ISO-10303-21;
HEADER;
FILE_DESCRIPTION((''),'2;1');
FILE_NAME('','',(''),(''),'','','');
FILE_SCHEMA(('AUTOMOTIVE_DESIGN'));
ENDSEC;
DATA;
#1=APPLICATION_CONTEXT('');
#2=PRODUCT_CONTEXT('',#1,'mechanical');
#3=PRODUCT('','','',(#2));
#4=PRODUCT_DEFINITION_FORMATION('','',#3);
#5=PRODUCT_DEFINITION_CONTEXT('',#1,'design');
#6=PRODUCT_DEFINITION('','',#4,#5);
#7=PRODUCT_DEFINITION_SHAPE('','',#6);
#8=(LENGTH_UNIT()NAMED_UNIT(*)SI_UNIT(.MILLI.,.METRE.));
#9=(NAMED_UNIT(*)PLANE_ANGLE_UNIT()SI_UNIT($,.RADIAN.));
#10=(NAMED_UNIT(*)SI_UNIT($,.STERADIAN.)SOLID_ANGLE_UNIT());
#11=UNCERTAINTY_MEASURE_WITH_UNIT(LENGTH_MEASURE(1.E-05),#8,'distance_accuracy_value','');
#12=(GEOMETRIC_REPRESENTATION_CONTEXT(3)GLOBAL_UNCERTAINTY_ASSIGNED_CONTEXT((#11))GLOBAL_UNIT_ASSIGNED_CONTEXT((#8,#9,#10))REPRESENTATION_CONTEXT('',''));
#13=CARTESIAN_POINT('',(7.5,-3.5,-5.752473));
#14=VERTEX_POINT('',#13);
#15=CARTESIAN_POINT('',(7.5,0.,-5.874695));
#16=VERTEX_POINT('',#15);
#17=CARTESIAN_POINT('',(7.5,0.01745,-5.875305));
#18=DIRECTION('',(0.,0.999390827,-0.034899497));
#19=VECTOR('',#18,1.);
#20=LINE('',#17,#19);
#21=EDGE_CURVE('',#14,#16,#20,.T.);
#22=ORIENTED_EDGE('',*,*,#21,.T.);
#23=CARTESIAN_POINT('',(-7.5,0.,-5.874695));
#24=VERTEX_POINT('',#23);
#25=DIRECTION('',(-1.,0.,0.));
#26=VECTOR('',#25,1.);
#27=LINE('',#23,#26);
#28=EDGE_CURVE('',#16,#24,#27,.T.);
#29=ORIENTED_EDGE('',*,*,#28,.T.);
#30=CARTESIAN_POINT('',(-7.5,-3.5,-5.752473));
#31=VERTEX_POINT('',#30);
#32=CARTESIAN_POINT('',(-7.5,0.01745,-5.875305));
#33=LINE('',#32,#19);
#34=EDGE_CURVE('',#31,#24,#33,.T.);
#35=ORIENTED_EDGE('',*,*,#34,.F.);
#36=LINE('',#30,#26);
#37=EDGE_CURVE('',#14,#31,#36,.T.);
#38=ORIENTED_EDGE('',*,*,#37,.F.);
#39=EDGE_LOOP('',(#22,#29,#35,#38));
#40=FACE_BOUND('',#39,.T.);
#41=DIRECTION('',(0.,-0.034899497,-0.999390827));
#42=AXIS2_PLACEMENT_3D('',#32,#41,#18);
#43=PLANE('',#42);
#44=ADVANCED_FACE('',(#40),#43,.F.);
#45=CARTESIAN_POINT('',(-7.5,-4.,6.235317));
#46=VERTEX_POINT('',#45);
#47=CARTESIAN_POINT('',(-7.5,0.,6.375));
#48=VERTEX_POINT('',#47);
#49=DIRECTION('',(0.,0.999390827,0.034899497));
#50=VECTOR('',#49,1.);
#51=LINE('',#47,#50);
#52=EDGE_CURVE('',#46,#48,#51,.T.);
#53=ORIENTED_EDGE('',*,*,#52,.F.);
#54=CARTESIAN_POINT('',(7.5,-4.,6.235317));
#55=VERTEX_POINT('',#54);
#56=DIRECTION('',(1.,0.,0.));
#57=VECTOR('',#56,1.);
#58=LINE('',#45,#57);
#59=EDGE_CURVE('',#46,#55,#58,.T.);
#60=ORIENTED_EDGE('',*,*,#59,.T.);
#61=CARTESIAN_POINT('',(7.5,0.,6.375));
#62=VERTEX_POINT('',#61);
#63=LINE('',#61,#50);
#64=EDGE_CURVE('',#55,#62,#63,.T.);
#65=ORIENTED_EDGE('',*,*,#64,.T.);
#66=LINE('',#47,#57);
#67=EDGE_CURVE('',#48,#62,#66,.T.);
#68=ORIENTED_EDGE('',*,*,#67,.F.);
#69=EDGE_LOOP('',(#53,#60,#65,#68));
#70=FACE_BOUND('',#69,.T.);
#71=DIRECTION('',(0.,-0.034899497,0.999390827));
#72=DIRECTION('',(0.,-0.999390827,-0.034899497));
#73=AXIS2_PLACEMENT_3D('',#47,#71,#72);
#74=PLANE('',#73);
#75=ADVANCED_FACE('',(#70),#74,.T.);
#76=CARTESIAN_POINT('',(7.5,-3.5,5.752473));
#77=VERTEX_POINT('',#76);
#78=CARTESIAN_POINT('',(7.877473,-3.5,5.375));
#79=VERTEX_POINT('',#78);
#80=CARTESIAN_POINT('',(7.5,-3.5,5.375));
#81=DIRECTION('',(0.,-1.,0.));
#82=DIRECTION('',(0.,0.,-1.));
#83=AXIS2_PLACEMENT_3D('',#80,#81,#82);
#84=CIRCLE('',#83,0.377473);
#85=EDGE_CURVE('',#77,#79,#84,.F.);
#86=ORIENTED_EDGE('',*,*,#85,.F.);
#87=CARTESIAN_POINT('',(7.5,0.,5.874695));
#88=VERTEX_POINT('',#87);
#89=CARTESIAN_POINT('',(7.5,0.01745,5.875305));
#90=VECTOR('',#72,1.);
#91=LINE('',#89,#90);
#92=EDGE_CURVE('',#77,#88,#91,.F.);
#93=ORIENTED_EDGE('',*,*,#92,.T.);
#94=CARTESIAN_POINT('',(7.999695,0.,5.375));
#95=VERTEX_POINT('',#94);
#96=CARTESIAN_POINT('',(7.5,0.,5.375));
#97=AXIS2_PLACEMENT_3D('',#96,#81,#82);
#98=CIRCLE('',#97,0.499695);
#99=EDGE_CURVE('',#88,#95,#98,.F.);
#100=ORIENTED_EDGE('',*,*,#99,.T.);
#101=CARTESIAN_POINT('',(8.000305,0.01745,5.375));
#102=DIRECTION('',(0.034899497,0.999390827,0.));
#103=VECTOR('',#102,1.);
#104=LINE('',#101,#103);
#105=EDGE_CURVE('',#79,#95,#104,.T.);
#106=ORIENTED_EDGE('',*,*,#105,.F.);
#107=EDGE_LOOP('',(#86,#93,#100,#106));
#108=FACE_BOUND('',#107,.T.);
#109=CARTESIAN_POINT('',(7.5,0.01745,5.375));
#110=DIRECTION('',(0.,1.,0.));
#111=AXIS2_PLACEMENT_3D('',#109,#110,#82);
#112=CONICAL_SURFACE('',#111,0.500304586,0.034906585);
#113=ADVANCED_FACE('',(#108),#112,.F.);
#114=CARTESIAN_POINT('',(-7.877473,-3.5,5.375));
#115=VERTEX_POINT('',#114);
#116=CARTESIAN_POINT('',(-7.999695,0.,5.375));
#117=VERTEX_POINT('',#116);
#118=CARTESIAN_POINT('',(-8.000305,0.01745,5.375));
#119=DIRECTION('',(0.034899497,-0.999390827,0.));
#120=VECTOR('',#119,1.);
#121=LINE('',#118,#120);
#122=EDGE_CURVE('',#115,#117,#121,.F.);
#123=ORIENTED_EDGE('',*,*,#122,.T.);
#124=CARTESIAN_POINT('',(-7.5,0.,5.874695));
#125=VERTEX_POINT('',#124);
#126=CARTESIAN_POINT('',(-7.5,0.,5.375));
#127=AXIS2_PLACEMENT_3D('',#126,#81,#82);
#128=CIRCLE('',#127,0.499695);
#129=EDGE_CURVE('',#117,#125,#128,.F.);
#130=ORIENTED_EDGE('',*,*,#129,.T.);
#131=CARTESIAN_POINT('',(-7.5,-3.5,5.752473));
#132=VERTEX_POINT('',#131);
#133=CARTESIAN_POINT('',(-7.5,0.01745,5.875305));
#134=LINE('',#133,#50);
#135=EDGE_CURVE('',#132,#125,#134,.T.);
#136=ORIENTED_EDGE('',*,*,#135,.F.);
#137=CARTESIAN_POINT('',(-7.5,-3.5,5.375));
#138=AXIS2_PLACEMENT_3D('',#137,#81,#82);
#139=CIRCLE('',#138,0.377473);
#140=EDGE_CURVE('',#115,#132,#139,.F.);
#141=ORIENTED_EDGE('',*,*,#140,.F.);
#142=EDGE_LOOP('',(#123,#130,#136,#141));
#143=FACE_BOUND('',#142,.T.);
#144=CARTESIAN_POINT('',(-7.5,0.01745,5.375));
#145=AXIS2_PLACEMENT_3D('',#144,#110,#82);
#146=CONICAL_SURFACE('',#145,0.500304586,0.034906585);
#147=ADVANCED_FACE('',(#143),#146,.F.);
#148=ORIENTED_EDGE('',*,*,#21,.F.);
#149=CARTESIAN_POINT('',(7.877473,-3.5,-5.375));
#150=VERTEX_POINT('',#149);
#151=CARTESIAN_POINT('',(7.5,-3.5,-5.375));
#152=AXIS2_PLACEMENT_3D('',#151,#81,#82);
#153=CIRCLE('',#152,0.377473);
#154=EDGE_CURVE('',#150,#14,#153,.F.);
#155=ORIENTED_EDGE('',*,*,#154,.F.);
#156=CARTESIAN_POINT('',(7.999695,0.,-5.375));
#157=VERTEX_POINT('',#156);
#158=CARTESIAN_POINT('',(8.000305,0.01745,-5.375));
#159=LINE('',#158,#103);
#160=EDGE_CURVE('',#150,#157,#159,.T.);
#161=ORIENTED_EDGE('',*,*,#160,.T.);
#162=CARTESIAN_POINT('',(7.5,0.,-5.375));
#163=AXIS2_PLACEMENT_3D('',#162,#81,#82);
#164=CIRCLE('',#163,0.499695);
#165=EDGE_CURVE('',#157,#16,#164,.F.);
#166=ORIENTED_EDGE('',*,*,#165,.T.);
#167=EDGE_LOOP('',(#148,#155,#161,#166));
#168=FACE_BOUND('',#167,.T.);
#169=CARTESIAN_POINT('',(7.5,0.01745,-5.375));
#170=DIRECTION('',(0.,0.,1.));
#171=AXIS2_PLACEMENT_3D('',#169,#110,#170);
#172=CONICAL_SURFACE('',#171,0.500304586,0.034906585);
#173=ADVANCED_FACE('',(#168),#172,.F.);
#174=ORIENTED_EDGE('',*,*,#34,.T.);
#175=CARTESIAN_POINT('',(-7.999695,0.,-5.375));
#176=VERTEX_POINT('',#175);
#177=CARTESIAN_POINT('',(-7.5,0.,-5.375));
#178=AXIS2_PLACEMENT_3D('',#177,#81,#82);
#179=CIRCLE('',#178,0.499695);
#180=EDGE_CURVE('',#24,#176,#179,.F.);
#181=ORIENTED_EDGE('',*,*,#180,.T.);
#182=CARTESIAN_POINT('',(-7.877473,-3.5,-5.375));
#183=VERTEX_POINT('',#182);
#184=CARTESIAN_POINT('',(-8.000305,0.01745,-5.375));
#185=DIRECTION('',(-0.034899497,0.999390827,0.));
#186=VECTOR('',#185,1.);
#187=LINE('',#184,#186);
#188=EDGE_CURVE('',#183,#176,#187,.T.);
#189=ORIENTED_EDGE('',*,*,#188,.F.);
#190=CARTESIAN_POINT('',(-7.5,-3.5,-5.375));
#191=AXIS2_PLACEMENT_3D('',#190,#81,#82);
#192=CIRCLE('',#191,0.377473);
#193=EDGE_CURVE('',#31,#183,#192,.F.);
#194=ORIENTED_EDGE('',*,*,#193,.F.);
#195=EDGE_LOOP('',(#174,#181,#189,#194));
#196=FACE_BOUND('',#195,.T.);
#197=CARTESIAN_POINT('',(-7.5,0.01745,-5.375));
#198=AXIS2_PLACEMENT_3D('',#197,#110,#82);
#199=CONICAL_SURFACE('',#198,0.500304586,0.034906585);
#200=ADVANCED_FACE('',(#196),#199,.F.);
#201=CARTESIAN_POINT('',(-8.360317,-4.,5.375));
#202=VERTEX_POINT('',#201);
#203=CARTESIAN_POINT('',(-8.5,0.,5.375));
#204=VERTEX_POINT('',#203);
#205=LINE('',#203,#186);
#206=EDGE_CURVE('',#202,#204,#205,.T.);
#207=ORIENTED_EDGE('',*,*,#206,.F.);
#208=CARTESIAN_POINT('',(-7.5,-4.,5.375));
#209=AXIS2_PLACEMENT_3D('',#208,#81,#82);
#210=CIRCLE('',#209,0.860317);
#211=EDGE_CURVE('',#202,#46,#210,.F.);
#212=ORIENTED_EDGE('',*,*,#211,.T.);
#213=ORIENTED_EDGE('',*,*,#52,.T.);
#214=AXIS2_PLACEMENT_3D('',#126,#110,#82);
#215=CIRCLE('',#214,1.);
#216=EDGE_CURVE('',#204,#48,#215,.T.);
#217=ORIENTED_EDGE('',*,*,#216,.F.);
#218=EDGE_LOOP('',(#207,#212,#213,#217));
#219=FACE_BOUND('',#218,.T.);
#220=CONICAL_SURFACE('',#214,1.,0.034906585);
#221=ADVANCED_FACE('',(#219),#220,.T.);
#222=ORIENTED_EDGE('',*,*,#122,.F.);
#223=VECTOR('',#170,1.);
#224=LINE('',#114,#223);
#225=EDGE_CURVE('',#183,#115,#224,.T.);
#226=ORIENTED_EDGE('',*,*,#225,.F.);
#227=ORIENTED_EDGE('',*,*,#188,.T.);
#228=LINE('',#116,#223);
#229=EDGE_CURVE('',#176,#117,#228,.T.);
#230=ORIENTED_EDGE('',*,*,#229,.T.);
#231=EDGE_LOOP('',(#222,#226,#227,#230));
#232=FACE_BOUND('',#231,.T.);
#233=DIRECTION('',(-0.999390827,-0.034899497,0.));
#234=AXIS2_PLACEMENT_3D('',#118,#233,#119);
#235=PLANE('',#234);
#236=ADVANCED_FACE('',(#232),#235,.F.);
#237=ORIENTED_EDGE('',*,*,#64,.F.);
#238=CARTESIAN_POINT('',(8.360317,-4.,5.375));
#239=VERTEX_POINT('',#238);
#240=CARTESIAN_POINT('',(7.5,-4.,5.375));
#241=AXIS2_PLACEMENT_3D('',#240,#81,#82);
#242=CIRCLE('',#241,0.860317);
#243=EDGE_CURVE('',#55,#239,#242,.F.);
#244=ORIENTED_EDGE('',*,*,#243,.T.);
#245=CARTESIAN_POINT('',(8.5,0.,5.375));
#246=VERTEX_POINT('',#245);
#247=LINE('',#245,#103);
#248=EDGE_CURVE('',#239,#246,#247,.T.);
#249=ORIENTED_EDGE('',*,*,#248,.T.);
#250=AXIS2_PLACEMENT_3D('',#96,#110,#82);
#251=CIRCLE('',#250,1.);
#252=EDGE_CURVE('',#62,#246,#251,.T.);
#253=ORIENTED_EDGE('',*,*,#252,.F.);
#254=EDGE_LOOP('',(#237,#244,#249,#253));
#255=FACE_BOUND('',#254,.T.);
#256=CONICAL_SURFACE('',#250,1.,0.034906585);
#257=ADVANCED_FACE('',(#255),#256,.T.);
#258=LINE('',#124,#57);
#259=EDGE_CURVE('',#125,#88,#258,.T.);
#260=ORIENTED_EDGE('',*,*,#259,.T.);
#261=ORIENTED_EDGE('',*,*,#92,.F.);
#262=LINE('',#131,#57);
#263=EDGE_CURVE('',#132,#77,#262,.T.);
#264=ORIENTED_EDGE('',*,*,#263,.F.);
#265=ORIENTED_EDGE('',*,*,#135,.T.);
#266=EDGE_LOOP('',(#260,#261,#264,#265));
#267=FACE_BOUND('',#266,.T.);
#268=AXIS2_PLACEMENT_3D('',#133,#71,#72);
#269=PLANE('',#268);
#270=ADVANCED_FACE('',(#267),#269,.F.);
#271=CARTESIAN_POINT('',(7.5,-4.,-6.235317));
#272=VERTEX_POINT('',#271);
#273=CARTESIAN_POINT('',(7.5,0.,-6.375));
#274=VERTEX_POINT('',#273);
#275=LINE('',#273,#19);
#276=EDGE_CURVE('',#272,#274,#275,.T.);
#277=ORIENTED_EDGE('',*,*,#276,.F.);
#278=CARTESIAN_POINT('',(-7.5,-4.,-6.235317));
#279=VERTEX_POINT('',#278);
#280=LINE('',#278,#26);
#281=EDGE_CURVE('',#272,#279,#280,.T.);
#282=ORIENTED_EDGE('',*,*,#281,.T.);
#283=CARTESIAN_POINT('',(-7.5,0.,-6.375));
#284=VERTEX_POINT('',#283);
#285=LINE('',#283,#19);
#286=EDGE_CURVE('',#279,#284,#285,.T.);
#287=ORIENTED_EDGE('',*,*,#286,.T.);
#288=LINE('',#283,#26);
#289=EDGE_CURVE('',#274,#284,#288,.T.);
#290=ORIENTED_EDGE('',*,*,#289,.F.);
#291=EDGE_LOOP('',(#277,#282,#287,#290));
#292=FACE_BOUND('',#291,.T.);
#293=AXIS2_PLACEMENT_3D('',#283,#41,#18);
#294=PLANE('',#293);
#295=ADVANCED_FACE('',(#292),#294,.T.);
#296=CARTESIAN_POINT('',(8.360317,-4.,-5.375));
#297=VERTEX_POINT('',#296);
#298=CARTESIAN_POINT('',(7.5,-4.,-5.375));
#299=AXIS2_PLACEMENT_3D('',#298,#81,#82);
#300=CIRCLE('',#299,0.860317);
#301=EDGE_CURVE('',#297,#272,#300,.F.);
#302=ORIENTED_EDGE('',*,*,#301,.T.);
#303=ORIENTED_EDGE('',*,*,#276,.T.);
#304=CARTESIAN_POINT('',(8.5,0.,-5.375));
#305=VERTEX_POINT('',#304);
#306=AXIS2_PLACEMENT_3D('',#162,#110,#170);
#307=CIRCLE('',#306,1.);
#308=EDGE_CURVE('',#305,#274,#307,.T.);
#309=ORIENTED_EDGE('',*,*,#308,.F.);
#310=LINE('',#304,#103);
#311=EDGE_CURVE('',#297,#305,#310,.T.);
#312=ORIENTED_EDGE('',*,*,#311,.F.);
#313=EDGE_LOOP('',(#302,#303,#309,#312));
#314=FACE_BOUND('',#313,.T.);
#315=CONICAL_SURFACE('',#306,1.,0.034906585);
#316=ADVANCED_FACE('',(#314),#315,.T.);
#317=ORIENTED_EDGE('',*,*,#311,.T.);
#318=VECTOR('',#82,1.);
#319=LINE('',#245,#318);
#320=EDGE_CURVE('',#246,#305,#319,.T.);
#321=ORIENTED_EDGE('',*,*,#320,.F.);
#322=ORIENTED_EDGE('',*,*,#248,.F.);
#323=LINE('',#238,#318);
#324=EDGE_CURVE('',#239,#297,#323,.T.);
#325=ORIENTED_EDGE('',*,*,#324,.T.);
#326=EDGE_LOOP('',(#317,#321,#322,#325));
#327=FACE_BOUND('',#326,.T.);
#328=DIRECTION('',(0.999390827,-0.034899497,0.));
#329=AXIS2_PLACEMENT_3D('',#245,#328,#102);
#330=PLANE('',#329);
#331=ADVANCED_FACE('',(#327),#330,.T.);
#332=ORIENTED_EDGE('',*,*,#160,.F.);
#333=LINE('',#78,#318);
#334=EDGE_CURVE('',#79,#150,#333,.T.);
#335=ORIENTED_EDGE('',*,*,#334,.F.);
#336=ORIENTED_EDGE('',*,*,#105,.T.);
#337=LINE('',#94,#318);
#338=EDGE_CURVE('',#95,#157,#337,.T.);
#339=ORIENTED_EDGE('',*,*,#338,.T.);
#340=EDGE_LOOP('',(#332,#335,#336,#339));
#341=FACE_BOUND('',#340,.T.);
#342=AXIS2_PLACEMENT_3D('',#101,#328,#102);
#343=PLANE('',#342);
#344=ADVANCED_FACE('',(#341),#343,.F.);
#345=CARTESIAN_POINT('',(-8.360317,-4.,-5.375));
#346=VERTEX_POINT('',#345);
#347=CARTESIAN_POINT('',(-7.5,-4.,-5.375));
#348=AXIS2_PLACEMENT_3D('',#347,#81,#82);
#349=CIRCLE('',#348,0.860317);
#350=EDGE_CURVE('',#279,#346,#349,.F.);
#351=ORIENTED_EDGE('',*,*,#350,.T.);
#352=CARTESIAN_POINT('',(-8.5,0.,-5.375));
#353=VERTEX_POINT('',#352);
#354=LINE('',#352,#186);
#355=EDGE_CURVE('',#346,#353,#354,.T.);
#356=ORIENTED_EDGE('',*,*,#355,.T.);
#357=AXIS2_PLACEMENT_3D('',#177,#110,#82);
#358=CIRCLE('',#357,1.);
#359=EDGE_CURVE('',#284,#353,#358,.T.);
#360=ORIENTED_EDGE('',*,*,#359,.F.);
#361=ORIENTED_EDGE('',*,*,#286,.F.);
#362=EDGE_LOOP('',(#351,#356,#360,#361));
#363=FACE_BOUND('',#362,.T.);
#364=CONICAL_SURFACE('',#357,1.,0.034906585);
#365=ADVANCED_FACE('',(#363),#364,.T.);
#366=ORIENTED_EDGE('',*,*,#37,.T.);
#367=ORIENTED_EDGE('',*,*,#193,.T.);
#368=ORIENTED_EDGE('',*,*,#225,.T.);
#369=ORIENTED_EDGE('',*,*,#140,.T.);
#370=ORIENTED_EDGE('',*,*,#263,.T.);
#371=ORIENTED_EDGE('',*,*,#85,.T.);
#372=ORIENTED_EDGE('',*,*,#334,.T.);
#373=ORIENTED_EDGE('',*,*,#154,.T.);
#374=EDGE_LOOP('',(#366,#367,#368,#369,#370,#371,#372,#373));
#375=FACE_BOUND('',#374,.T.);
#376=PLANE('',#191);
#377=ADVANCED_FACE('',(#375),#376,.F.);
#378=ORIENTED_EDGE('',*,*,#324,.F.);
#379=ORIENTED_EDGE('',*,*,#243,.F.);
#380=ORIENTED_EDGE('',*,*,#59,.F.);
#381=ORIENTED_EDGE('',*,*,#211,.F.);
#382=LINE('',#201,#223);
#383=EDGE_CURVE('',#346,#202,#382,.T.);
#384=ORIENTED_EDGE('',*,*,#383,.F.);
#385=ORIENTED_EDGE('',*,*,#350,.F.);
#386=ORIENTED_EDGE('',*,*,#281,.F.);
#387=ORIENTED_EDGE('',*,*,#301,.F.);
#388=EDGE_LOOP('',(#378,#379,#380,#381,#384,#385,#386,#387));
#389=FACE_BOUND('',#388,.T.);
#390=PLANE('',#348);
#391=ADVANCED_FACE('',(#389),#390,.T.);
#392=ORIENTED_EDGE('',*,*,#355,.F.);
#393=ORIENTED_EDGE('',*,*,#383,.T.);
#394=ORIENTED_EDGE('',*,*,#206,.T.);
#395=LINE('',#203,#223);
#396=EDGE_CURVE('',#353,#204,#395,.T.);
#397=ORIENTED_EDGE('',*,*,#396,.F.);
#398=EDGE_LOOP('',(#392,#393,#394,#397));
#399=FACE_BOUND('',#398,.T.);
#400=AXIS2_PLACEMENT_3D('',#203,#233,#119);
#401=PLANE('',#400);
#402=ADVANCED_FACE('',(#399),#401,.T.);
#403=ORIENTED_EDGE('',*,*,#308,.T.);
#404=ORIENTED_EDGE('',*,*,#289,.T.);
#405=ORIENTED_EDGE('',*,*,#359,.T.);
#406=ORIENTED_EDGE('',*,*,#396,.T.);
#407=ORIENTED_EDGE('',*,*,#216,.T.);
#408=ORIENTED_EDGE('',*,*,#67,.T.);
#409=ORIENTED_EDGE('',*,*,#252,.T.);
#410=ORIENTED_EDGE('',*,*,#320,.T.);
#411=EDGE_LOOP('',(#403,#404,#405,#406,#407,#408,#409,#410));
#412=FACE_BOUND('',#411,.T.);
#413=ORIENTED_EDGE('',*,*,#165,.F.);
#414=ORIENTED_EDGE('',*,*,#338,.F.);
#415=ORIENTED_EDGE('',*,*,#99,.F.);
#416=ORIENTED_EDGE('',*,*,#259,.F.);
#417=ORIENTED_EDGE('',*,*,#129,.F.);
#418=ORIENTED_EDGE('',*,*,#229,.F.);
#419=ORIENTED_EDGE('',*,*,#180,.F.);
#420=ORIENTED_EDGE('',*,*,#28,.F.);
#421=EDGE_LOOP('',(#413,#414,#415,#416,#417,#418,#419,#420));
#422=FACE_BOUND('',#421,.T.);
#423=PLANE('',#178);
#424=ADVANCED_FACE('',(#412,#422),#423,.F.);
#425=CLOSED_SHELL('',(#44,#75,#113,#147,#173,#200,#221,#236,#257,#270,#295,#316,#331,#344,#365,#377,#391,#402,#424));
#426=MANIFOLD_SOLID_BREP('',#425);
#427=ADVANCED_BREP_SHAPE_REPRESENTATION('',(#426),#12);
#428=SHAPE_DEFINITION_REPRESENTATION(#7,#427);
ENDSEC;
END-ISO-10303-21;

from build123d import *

# Parameters (mm, degrees)
BOSS_EXTRUDE1_DEPTH = 4
BOSS_EXTRUDE1_DRAFT = -2
SHELL1_T            = -0.5


with BuildPart() as part:
    # Sketch1 → Boss-Extrude1 (with draft: the straight prism first)
    with BuildSketch(Plane(origin=(0, 0, 0), x_dir=(1, 0, 0), z_dir=(0, 1, 0))):
        with BuildLine():
            Line((-7.5, -6.375), (7.5, -6.375))
            ThreePointArc((7.5, -6.375), (8.207106781, -6.082106781), (8.5, -5.375))
            Line((8.5, -5.375), (8.5, 5.375))
            ThreePointArc((8.5, 5.375), (8.207106781, 6.082106781), (7.5, 6.375))
            Line((7.5, 6.375), (-7.5, 6.375))
            ThreePointArc((-7.5, 6.375), (-8.207106781, 6.082106781), (-8.5, 5.375))
            Line((-8.5, 5.375), (-8.5, -5.375))
            ThreePointArc((-8.5, -5.375), (-8.207106781, -6.082106781), (-7.5, -6.375))
        make_face()
    extrude(amount=-BOSS_EXTRUDE1_DEPTH)
    # Boss-Extrude1: the draft: its side faces are tilted about the plane it starts from
    boss_extrude1_sides = [part.faces().sort_by_distance(p)[0] for p in [
        (0, -2, 6.375),
        (8.207106781, -2, 6.082106781),
        (8.5, -2, 0),
        (8.207106781, -2, -6.082106781),
        (0, -2, -6.375),
        (-8.207106781, -2, -6.082106781),
        (-8.5, -2, 0),
        (-8.207106781, -2, 6.082106781),
    ]]
    draft(boss_extrude1_sides, Plane(origin=(0, 0, 0), x_dir=(1, 0, 0), z_dir=(0, 1, 0)), BOSS_EXTRUDE1_DRAFT)

    # Shell1
    shell1_openings = [part.faces().sort_by_distance(p)[0] for p in [
        (0, 0, 0),
    ]]
    offset(amount=SHELL1_T, openings=shell1_openings, kind=Kind.INTERSECTION)


solid = part.part
